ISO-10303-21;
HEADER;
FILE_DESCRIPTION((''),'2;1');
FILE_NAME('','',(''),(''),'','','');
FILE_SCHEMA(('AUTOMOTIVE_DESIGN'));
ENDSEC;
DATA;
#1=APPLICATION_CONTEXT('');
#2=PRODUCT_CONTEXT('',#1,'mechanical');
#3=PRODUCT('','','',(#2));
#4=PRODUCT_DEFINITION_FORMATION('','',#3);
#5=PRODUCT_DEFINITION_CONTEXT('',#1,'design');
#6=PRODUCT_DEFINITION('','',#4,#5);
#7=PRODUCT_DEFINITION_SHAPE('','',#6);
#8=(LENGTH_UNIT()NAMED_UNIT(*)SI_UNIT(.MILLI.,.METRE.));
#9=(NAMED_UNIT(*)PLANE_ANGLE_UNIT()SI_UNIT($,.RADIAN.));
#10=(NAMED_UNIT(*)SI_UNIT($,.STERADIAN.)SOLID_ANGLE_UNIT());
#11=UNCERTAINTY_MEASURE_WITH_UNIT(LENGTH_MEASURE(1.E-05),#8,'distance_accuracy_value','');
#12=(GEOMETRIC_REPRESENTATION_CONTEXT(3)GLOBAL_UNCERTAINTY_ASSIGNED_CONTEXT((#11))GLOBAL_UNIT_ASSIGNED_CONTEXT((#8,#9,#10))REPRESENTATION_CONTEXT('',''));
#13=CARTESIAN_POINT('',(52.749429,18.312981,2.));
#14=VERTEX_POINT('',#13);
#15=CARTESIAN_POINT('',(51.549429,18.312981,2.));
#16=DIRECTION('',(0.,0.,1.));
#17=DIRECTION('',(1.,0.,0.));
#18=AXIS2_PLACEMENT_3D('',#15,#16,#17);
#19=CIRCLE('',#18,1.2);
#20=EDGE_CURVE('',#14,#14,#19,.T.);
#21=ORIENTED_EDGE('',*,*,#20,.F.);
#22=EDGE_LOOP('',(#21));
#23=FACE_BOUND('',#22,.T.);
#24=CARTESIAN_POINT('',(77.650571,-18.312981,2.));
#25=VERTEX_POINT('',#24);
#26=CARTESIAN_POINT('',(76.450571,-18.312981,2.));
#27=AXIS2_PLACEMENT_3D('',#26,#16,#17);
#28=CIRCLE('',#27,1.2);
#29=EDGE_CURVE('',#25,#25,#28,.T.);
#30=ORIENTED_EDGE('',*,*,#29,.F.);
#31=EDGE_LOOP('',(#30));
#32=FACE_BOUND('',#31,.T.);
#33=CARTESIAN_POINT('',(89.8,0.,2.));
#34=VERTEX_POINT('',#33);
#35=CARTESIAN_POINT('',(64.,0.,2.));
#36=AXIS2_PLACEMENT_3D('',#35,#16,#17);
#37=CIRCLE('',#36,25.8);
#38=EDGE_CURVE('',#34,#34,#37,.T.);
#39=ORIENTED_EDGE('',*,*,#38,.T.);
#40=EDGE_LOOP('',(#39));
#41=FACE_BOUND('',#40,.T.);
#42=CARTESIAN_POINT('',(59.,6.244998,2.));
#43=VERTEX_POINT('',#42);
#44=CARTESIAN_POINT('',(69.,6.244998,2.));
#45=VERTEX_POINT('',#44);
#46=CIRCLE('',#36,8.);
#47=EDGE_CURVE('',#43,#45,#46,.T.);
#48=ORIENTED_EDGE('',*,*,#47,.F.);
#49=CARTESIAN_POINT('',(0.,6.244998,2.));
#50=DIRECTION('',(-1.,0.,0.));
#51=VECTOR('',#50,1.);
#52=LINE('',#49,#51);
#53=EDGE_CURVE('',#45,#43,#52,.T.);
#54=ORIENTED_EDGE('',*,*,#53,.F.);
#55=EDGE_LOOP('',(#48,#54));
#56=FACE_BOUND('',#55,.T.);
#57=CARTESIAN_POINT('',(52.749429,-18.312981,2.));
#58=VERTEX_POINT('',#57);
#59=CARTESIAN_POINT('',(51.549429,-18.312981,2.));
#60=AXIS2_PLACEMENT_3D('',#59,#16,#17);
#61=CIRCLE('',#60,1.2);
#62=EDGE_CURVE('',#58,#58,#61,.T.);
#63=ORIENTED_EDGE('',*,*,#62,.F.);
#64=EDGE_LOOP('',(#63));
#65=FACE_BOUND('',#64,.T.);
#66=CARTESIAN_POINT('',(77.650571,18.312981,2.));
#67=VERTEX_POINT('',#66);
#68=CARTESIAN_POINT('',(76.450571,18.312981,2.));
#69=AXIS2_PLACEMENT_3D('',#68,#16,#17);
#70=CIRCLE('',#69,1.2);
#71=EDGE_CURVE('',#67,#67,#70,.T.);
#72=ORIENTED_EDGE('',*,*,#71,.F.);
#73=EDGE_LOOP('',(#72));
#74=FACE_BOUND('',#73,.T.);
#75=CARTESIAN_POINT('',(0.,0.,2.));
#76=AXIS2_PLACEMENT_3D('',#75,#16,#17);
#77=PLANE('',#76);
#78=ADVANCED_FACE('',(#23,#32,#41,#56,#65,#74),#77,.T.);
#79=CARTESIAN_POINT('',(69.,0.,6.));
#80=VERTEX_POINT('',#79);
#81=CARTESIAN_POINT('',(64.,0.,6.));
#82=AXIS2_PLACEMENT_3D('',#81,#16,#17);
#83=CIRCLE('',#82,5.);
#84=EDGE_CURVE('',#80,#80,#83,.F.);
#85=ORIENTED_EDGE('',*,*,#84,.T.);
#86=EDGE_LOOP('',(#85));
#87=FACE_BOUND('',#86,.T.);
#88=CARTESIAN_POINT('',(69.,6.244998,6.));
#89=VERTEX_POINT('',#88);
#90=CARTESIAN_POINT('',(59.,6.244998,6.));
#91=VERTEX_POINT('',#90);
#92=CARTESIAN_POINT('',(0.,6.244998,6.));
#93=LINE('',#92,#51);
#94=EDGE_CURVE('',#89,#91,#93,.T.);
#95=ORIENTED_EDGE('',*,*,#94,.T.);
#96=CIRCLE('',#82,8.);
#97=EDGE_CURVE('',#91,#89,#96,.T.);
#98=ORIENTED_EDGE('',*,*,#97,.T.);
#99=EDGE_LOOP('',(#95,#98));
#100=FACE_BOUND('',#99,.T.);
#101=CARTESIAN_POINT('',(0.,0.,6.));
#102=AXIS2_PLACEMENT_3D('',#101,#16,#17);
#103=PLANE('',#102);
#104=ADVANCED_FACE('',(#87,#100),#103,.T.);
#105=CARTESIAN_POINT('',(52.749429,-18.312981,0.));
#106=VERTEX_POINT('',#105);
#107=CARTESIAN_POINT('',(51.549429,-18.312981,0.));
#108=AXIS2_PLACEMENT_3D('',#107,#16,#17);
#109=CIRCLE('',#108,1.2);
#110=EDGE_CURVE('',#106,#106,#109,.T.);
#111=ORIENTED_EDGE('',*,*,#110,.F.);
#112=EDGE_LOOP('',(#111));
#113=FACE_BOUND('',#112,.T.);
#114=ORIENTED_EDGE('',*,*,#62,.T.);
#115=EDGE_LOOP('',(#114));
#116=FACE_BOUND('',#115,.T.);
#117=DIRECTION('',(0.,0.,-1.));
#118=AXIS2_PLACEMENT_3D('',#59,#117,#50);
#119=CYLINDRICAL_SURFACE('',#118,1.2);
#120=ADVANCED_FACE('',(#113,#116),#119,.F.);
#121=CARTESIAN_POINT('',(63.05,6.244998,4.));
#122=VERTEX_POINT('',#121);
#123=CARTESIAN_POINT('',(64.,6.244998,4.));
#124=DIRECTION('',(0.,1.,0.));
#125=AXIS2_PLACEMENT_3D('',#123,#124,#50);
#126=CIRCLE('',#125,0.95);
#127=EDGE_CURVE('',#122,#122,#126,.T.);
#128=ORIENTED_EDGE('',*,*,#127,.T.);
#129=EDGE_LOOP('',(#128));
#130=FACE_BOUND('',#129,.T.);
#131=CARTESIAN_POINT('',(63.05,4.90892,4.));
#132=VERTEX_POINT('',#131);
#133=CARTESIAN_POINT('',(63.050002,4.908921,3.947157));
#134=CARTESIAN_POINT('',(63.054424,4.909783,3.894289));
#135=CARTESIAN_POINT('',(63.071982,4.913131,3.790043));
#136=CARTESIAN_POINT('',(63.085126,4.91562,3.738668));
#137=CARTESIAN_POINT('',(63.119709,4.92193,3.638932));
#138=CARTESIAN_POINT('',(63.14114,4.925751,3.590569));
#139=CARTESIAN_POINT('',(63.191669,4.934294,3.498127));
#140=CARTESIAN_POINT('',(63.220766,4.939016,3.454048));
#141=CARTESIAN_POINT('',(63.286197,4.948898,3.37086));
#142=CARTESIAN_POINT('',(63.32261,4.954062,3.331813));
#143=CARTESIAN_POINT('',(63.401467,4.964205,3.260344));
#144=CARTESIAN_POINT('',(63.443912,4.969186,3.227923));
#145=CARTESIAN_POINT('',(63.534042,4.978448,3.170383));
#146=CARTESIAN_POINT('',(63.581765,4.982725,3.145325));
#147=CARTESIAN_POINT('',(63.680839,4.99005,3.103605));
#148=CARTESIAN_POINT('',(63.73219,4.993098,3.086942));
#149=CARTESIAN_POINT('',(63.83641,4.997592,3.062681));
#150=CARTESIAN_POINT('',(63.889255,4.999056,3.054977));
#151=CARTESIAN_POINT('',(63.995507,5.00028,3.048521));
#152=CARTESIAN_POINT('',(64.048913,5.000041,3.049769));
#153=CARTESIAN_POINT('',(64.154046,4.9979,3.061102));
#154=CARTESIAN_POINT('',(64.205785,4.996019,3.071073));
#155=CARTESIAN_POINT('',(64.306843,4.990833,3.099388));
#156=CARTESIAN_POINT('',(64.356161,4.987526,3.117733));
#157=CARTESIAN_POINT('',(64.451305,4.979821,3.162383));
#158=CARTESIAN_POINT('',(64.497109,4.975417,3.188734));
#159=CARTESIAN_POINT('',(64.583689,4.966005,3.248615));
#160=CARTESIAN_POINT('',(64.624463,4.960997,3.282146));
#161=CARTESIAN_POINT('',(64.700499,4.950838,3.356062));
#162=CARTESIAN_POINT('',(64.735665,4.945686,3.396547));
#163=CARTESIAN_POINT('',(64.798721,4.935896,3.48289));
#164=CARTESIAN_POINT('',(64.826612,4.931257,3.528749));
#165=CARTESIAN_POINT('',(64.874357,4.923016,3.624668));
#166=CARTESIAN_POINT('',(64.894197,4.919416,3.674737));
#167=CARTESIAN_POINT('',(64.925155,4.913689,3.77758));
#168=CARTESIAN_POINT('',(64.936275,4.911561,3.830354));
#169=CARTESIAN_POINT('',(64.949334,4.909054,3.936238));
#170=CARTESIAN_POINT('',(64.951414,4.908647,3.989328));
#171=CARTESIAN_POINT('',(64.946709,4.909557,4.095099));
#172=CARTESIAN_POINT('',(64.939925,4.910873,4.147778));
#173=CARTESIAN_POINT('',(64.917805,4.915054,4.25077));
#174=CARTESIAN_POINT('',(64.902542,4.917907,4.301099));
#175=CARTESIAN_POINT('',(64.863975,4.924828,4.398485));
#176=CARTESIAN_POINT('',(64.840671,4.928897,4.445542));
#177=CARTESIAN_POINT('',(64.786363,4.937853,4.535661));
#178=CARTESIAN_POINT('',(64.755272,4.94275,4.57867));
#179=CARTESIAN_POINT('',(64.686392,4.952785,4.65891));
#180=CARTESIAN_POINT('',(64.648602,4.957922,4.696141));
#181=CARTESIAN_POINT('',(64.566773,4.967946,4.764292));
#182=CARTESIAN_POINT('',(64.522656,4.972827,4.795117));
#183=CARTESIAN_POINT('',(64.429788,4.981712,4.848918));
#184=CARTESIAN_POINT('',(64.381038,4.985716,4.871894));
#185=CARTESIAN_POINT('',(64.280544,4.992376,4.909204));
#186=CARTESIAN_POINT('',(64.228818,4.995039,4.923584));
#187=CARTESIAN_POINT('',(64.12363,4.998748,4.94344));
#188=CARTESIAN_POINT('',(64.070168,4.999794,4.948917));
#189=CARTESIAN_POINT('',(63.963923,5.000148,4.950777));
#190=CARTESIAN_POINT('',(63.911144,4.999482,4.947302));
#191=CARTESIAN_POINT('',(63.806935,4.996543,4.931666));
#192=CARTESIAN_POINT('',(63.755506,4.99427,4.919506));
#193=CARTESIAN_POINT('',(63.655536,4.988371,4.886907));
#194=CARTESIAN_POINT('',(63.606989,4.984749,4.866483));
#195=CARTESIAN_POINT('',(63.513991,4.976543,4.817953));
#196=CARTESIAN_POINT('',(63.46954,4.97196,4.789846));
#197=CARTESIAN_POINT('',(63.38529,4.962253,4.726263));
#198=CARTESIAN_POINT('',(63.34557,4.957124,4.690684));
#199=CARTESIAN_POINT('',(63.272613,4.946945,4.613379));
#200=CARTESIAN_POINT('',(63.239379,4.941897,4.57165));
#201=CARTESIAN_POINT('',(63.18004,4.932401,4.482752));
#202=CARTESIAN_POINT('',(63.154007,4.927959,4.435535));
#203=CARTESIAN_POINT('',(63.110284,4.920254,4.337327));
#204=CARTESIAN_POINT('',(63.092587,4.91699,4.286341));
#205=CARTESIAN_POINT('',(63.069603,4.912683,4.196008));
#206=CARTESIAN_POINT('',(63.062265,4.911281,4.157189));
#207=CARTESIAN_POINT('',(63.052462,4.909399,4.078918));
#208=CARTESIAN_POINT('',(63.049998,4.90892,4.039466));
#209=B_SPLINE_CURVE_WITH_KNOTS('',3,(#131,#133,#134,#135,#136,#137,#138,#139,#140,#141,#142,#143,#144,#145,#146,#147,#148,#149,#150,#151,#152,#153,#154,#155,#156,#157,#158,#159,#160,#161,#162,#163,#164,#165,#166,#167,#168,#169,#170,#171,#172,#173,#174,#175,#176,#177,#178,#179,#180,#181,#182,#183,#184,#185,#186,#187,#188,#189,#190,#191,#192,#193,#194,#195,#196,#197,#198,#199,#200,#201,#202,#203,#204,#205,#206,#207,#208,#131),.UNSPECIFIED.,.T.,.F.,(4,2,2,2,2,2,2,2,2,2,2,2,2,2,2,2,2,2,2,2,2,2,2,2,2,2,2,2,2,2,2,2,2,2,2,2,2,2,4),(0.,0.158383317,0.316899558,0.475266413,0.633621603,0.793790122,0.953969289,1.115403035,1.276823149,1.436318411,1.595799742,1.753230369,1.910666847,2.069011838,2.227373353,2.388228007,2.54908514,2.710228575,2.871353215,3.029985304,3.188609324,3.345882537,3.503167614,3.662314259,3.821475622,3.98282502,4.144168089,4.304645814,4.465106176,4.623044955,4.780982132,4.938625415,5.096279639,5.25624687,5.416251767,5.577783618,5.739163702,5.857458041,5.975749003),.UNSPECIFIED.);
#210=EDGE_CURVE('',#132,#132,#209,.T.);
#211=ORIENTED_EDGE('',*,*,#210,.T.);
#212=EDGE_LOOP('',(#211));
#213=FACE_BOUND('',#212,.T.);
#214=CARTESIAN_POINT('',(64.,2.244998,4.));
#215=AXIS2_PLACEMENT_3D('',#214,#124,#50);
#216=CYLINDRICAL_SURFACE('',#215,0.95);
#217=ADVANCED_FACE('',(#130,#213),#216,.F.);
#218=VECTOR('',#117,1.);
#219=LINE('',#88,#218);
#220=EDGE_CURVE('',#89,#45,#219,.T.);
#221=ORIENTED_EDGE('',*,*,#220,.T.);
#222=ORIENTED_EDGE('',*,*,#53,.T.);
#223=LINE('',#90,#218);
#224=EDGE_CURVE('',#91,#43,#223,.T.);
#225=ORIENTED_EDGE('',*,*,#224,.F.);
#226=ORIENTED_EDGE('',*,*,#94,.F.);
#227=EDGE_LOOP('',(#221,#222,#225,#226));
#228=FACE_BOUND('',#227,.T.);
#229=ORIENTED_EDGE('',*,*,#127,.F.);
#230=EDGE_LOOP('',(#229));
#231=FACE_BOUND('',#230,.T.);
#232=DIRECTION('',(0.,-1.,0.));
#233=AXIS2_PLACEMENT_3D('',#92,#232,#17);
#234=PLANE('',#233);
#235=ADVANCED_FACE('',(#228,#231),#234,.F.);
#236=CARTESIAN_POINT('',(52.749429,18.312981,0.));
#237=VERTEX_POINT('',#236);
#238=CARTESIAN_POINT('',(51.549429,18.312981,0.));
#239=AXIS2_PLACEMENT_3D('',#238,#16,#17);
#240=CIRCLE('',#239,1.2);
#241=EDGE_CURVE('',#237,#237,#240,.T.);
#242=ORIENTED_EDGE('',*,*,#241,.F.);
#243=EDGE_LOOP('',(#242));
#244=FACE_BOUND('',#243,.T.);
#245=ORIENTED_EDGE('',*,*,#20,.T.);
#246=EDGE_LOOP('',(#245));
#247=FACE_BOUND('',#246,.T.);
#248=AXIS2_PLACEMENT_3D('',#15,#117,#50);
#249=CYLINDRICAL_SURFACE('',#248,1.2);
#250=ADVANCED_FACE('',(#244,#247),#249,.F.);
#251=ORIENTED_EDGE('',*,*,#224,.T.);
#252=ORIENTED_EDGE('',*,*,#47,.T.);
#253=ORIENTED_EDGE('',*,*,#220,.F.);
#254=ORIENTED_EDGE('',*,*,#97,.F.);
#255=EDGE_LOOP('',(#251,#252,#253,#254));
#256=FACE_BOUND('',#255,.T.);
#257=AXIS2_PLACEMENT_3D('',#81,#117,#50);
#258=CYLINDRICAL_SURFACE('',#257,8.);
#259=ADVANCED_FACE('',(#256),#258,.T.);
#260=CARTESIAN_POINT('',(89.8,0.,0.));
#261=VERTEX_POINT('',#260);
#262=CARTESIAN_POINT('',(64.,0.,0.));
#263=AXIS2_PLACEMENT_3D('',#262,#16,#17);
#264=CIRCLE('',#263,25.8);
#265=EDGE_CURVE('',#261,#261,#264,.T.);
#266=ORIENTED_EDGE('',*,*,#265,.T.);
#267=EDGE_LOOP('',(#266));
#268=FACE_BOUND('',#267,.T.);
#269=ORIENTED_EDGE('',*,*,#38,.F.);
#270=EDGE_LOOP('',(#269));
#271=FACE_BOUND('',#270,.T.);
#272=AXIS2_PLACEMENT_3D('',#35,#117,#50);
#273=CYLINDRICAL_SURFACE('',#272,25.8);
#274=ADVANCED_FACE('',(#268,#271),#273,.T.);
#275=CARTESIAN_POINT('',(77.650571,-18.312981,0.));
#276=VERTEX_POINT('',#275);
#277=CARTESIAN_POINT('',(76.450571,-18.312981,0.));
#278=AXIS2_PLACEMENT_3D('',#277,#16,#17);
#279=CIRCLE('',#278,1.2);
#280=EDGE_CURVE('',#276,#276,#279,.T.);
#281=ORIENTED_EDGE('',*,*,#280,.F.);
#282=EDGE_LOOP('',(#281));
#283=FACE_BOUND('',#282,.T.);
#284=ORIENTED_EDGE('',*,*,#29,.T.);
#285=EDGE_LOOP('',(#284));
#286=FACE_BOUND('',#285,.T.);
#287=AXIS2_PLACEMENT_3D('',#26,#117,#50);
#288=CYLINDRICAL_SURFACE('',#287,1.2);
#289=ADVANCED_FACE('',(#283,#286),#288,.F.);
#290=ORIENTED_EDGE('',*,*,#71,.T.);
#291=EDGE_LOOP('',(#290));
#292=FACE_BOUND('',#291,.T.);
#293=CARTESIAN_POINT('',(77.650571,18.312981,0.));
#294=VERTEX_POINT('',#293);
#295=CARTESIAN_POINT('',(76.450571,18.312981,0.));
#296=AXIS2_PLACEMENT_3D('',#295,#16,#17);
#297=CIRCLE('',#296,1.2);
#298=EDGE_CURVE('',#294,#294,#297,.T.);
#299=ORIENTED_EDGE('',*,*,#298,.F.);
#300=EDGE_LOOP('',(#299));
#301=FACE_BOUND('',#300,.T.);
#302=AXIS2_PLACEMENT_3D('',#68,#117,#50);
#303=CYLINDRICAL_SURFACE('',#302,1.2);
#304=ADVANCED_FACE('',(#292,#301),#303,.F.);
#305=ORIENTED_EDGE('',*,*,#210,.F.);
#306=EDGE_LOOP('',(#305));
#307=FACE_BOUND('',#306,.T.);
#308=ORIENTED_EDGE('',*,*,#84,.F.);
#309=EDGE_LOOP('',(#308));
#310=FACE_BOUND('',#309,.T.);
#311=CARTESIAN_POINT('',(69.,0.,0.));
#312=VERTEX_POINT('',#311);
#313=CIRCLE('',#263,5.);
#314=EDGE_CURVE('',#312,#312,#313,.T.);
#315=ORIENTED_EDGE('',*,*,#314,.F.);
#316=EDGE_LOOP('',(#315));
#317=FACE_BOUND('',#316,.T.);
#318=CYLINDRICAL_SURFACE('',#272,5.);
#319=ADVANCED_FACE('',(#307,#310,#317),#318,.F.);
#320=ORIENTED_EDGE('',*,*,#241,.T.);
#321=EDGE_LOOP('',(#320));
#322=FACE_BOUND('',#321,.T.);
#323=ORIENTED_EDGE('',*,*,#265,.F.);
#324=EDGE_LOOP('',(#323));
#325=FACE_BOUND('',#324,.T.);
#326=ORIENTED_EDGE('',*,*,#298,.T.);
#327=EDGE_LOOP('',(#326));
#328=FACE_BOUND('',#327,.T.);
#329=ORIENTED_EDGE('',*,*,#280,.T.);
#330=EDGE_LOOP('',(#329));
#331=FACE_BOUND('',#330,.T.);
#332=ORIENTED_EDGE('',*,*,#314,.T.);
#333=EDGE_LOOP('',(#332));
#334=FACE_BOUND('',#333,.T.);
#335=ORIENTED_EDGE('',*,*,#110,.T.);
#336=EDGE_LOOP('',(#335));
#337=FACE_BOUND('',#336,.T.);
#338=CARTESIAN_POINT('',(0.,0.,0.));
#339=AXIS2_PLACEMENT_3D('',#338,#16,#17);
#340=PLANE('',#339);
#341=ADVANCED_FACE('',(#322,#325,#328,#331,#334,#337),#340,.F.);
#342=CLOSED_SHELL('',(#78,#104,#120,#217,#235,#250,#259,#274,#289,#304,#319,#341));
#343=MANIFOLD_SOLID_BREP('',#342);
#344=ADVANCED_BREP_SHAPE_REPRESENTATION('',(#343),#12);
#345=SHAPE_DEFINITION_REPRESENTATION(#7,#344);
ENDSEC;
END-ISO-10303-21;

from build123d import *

# Parameters (mm, degrees)
SKETCH_1_R          = 5
SKETCH_1_R_2        = 1.2
EXTRUDE_1_DEPTH     = 2
SKETCH_2_R          = 5
EXTRUDE_2_DEPTH     = 4
CUT_EXTRUDE_1_DEPTH = 4


with BuildPart() as part:
    # 草图1 → 凸台-拉伸1 (new body)
    # profile 1 of 9: a face of its own
    with BuildSketch(Plane.XY):
        with BuildLine():
            Line((50.787618615, 13.919461135), (48.798857294, 18.312980654))
            ThreePointArc((48.798857294, 18.312980654), (40.538542245, 4), (43.589554969, -12.241475957))
            ThreePointArc((43.589554969, -12.241475957), (45.937273528, -15.497674419), (48.798857294, -18.312980654))
            Line((48.798857294, -18.312980654), (53.988393324, -6.848393324))
            Line((53.988393324, -6.848393324), (54.3, -7.16))
            Line((54.3, -7.16), (54.3, -21.733614518))
            ThreePointArc((54.3, -21.733614518), (64, -23.8), (73.7, -21.733614518))
            Line((73.7, -21.733614518), (73.7, -6.915634891))
            Line((73.7, -6.915634891), (74.1123773, -7.071013151))
            Line((74.1123773, -7.071013151), (79.201142706, -18.312980654))
            ThreePointArc((79.201142706, -18.312980654), (85.543295899, -10.115651328), (87.8, 0))
            ThreePointArc((87.8, 0), (85.543295899, 10.115651328), (79.201142706, 18.312980654))
            Line((79.201142706, 18.312980654), (76.899825635, 13.228971143))
            Line((76.899825635, 13.228971143), (73.7, 14.677397496))
            Line((73.7, 14.677397496), (73.7, 21.733614518))
            ThreePointArc((73.7, 21.733614518), (70.904263941, 22.776548014), (68, 23.461457755))
            ThreePointArc((68, 23.461457755), (64, 23.8), (60, 23.461457755))
            ThreePointArc((60, 23.461457755), (57.095736059, 22.776548014), (54.3, 21.733614518))
            Line((54.3, 21.733614518), (54.3, 13.919461135))
            Line((54.3, 13.919461135), (50.787618615, 13.919461135))
        make_face()
        with Locations((64, 0)):
            Circle(SKETCH_1_R, mode=Mode.SUBTRACT)
    # profile 2 of 9: a face of its own
    with BuildSketch(Plane.XY):
        with BuildLine():
            ThreePointArc((43.589554969, -12.241475957), (40.538542245, 4), (48.798857294, 18.312980654))
            ThreePointArc((48.798857294, 18.312980654), (51.432505778, 20.211335655), (54.3, 21.733614518))
            ThreePointArc((54.3, 21.733614518), (57.095736059, 22.776548014), (60, 23.461457755))
            Line((60, 23.461457755), (60, 25.488036409))
            ThreePointArc((60, 25.488036409), (40.557730485, 10.774970998), (42.051507242, -13.561108569))
            Line((42.051507242, -13.561108569), (43.589554969, -12.241475957))
        make_face()
    # profile 3 of 9: a face of its own
    with BuildSketch(Plane.XY):
        with BuildLine():
            ThreePointArc((54.3, -21.733614518), (51.432505778, -20.211335655), (48.798857294, -18.312980654))
            Line((48.798857294, -18.312980654), (47.260809567, -19.632613266))
            ThreePointArc((47.260809567, -19.632613266), (74.811310902, -23.425532152), (89.8, 0))
            ThreePointArc((89.8, 0), (83.606631531, 16.76961538), (68, 25.488036409))
            Line((68, 25.488036409), (68, 23.461457755))
            ThreePointArc((68, 23.461457755), (70.904263941, 22.776548014), (73.7, 21.733614518))
            ThreePointArc((73.7, 21.733614518), (76.567494222, 20.211335655), (79.201142706, 18.312980654))
            ThreePointArc((79.201142706, 18.312980654), (85.543295899, 10.115651328), (87.8, 0))
            ThreePointArc((87.8, 0), (85.543295899, -10.115651328), (79.201142706, -18.312980654))
            ThreePointArc((79.201142706, -18.312980654), (76.567494222, -20.211335655), (73.7, -21.733614518))
            ThreePointArc((73.7, -21.733614518), (64, -23.8), (54.3, -21.733614518))
        make_face()
    # profile 4 of 9: a face of its own
    with BuildSketch(Plane.XY):
        with BuildLine():
            Line((60, 25.488036409), (60, 23.461457755))
            ThreePointArc((60, 23.461457755), (64, 23.8), (68, 23.461457755))
            Line((68, 23.461457755), (68, 25.488036409))
            ThreePointArc((68, 25.488036409), (64, 25.8), (60, 25.488036409))
        make_face()
    # profile 5 of 9: a face of its own
    with BuildSketch(Plane.XY):
        with BuildLine():
            ThreePointArc((48.798857294, -18.312980654), (45.937273528, -15.497674419), (43.589554969, -12.241475957))
            Line((43.589554969, -12.241475957), (42.051507242, -13.561108569))
            ThreePointArc((42.051507242, -13.561108569), (44.419397354, -16.8), (47.260809567, -19.632613266))
            Line((47.260809567, -19.632613266), (48.798857294, -18.312980654))
        make_face()
    # profile 6 of 9: a face of its own
    with BuildSketch(Plane.XY):
        with BuildLine():
            Line((53.988393324, -6.848393324), (48.798857294, -18.312980654))
            ThreePointArc((48.798857294, -18.312980654), (51.432505778, -20.211335655), (54.3, -21.733614518))
            Line((54.3, -21.733614518), (54.3, -7.16))
            Line((54.3, -7.16), (53.988393324, -6.848393324))
        make_face()
        with Locations((51.549428647, -18.312980654)):
            Circle(SKETCH_1_R_2, mode=Mode.SUBTRACT)
    # profile 7 of 9: a face of its own
    with BuildSketch(Plane.XY):
        with BuildLine():
            Line((73.7, -6.915634891), (73.7, -21.733614518))
            ThreePointArc((73.7, -21.733614518), (76.567494222, -20.211335655), (79.201142706, -18.312980654))
            Line((79.201142706, -18.312980654), (74.1123773, -7.071013151))
            Line((74.1123773, -7.071013151), (73.7, -6.915634891))
        make_face()
        with Locations((76.450571353, -18.312980654)):
            Circle(SKETCH_1_R_2, mode=Mode.SUBTRACT)
    # profile 8 of 9: a face of its own
    with BuildSketch(Plane.XY):
        with BuildLine():
            ThreePointArc((79.201142706, 18.312980654), (76.567494222, 20.211335655), (73.7, 21.733614518))
            Line((73.7, 21.733614518), (73.7, 14.677397496))
            Line((73.7, 14.677397496), (76.899825635, 13.228971143))
            Line((76.899825635, 13.228971143), (79.201142706, 18.312980654))
        make_face()
        with Locations((76.450571353, 18.312980654)):
            Circle(SKETCH_1_R_2, mode=Mode.SUBTRACT)
    # profile 9 of 9: a face of its own
    with BuildSketch(Plane.XY):
        with BuildLine():
            ThreePointArc((54.3, 21.733614518), (51.432505778, 20.211335655), (48.798857294, 18.312980654))
            Line((48.798857294, 18.312980654), (50.787618615, 13.919461135))
            Line((50.787618615, 13.919461135), (54.3, 13.919461135))
            Line((54.3, 13.919461135), (54.3, 21.733614518))
        make_face()
        with Locations((51.549428647, 18.312980654)):
            Circle(SKETCH_1_R_2, mode=Mode.SUBTRACT)
    extrude(amount=EXTRUDE_1_DEPTH)

    # 草图2 → 凸台-拉伸2 (add)
    with BuildSketch(Plane.XY.offset(2)):
        with BuildLine():
            ThreePointArc((72, 0), (71.211102551, 3.464101615), (69, 6.244997998))
            Line((69, 6.244997998), (59, 6.244997998))
            ThreePointArc((59, 6.244997998), (60.535898385, -7.211102551), (72, 0))
        make_face()
        with Locations((64, 0)):
            Circle(SKETCH_2_R, mode=Mode.SUBTRACT)
    extrude(amount=EXTRUDE_2_DEPTH)

    # 草图3 → 切除-拉伸1 (cut)
    with BuildSketch(Plane(origin=(0, 6.244997998, 0), x_dir=(1, 0, 0), z_dir=(0, 1, 0))):
        with BuildLine():
            ThreePointArc((64.95, -4), (64.932858567, -3.820347855), (64.882052856, -3.647178857))
            Line((64.882052856, -3.647178857), (63.117947144, -4.352821143))
            ThreePointArc((63.117947144, -4.352821143), (64.179652145, -4.932858567), (64.95, -4))
        make_face()
        with BuildLine():
            Line((63.117947144, -4.352821143), (64.882052856, -3.647178857))
            ThreePointArc((64.882052856, -3.647178857), (63.647178857, -3.117947144), (63.117947144, -4.352821143))
        make_face()
    extrude(amount=-CUT_EXTRUDE_1_DEPTH, mode=Mode.SUBTRACT)


solid = part.part
